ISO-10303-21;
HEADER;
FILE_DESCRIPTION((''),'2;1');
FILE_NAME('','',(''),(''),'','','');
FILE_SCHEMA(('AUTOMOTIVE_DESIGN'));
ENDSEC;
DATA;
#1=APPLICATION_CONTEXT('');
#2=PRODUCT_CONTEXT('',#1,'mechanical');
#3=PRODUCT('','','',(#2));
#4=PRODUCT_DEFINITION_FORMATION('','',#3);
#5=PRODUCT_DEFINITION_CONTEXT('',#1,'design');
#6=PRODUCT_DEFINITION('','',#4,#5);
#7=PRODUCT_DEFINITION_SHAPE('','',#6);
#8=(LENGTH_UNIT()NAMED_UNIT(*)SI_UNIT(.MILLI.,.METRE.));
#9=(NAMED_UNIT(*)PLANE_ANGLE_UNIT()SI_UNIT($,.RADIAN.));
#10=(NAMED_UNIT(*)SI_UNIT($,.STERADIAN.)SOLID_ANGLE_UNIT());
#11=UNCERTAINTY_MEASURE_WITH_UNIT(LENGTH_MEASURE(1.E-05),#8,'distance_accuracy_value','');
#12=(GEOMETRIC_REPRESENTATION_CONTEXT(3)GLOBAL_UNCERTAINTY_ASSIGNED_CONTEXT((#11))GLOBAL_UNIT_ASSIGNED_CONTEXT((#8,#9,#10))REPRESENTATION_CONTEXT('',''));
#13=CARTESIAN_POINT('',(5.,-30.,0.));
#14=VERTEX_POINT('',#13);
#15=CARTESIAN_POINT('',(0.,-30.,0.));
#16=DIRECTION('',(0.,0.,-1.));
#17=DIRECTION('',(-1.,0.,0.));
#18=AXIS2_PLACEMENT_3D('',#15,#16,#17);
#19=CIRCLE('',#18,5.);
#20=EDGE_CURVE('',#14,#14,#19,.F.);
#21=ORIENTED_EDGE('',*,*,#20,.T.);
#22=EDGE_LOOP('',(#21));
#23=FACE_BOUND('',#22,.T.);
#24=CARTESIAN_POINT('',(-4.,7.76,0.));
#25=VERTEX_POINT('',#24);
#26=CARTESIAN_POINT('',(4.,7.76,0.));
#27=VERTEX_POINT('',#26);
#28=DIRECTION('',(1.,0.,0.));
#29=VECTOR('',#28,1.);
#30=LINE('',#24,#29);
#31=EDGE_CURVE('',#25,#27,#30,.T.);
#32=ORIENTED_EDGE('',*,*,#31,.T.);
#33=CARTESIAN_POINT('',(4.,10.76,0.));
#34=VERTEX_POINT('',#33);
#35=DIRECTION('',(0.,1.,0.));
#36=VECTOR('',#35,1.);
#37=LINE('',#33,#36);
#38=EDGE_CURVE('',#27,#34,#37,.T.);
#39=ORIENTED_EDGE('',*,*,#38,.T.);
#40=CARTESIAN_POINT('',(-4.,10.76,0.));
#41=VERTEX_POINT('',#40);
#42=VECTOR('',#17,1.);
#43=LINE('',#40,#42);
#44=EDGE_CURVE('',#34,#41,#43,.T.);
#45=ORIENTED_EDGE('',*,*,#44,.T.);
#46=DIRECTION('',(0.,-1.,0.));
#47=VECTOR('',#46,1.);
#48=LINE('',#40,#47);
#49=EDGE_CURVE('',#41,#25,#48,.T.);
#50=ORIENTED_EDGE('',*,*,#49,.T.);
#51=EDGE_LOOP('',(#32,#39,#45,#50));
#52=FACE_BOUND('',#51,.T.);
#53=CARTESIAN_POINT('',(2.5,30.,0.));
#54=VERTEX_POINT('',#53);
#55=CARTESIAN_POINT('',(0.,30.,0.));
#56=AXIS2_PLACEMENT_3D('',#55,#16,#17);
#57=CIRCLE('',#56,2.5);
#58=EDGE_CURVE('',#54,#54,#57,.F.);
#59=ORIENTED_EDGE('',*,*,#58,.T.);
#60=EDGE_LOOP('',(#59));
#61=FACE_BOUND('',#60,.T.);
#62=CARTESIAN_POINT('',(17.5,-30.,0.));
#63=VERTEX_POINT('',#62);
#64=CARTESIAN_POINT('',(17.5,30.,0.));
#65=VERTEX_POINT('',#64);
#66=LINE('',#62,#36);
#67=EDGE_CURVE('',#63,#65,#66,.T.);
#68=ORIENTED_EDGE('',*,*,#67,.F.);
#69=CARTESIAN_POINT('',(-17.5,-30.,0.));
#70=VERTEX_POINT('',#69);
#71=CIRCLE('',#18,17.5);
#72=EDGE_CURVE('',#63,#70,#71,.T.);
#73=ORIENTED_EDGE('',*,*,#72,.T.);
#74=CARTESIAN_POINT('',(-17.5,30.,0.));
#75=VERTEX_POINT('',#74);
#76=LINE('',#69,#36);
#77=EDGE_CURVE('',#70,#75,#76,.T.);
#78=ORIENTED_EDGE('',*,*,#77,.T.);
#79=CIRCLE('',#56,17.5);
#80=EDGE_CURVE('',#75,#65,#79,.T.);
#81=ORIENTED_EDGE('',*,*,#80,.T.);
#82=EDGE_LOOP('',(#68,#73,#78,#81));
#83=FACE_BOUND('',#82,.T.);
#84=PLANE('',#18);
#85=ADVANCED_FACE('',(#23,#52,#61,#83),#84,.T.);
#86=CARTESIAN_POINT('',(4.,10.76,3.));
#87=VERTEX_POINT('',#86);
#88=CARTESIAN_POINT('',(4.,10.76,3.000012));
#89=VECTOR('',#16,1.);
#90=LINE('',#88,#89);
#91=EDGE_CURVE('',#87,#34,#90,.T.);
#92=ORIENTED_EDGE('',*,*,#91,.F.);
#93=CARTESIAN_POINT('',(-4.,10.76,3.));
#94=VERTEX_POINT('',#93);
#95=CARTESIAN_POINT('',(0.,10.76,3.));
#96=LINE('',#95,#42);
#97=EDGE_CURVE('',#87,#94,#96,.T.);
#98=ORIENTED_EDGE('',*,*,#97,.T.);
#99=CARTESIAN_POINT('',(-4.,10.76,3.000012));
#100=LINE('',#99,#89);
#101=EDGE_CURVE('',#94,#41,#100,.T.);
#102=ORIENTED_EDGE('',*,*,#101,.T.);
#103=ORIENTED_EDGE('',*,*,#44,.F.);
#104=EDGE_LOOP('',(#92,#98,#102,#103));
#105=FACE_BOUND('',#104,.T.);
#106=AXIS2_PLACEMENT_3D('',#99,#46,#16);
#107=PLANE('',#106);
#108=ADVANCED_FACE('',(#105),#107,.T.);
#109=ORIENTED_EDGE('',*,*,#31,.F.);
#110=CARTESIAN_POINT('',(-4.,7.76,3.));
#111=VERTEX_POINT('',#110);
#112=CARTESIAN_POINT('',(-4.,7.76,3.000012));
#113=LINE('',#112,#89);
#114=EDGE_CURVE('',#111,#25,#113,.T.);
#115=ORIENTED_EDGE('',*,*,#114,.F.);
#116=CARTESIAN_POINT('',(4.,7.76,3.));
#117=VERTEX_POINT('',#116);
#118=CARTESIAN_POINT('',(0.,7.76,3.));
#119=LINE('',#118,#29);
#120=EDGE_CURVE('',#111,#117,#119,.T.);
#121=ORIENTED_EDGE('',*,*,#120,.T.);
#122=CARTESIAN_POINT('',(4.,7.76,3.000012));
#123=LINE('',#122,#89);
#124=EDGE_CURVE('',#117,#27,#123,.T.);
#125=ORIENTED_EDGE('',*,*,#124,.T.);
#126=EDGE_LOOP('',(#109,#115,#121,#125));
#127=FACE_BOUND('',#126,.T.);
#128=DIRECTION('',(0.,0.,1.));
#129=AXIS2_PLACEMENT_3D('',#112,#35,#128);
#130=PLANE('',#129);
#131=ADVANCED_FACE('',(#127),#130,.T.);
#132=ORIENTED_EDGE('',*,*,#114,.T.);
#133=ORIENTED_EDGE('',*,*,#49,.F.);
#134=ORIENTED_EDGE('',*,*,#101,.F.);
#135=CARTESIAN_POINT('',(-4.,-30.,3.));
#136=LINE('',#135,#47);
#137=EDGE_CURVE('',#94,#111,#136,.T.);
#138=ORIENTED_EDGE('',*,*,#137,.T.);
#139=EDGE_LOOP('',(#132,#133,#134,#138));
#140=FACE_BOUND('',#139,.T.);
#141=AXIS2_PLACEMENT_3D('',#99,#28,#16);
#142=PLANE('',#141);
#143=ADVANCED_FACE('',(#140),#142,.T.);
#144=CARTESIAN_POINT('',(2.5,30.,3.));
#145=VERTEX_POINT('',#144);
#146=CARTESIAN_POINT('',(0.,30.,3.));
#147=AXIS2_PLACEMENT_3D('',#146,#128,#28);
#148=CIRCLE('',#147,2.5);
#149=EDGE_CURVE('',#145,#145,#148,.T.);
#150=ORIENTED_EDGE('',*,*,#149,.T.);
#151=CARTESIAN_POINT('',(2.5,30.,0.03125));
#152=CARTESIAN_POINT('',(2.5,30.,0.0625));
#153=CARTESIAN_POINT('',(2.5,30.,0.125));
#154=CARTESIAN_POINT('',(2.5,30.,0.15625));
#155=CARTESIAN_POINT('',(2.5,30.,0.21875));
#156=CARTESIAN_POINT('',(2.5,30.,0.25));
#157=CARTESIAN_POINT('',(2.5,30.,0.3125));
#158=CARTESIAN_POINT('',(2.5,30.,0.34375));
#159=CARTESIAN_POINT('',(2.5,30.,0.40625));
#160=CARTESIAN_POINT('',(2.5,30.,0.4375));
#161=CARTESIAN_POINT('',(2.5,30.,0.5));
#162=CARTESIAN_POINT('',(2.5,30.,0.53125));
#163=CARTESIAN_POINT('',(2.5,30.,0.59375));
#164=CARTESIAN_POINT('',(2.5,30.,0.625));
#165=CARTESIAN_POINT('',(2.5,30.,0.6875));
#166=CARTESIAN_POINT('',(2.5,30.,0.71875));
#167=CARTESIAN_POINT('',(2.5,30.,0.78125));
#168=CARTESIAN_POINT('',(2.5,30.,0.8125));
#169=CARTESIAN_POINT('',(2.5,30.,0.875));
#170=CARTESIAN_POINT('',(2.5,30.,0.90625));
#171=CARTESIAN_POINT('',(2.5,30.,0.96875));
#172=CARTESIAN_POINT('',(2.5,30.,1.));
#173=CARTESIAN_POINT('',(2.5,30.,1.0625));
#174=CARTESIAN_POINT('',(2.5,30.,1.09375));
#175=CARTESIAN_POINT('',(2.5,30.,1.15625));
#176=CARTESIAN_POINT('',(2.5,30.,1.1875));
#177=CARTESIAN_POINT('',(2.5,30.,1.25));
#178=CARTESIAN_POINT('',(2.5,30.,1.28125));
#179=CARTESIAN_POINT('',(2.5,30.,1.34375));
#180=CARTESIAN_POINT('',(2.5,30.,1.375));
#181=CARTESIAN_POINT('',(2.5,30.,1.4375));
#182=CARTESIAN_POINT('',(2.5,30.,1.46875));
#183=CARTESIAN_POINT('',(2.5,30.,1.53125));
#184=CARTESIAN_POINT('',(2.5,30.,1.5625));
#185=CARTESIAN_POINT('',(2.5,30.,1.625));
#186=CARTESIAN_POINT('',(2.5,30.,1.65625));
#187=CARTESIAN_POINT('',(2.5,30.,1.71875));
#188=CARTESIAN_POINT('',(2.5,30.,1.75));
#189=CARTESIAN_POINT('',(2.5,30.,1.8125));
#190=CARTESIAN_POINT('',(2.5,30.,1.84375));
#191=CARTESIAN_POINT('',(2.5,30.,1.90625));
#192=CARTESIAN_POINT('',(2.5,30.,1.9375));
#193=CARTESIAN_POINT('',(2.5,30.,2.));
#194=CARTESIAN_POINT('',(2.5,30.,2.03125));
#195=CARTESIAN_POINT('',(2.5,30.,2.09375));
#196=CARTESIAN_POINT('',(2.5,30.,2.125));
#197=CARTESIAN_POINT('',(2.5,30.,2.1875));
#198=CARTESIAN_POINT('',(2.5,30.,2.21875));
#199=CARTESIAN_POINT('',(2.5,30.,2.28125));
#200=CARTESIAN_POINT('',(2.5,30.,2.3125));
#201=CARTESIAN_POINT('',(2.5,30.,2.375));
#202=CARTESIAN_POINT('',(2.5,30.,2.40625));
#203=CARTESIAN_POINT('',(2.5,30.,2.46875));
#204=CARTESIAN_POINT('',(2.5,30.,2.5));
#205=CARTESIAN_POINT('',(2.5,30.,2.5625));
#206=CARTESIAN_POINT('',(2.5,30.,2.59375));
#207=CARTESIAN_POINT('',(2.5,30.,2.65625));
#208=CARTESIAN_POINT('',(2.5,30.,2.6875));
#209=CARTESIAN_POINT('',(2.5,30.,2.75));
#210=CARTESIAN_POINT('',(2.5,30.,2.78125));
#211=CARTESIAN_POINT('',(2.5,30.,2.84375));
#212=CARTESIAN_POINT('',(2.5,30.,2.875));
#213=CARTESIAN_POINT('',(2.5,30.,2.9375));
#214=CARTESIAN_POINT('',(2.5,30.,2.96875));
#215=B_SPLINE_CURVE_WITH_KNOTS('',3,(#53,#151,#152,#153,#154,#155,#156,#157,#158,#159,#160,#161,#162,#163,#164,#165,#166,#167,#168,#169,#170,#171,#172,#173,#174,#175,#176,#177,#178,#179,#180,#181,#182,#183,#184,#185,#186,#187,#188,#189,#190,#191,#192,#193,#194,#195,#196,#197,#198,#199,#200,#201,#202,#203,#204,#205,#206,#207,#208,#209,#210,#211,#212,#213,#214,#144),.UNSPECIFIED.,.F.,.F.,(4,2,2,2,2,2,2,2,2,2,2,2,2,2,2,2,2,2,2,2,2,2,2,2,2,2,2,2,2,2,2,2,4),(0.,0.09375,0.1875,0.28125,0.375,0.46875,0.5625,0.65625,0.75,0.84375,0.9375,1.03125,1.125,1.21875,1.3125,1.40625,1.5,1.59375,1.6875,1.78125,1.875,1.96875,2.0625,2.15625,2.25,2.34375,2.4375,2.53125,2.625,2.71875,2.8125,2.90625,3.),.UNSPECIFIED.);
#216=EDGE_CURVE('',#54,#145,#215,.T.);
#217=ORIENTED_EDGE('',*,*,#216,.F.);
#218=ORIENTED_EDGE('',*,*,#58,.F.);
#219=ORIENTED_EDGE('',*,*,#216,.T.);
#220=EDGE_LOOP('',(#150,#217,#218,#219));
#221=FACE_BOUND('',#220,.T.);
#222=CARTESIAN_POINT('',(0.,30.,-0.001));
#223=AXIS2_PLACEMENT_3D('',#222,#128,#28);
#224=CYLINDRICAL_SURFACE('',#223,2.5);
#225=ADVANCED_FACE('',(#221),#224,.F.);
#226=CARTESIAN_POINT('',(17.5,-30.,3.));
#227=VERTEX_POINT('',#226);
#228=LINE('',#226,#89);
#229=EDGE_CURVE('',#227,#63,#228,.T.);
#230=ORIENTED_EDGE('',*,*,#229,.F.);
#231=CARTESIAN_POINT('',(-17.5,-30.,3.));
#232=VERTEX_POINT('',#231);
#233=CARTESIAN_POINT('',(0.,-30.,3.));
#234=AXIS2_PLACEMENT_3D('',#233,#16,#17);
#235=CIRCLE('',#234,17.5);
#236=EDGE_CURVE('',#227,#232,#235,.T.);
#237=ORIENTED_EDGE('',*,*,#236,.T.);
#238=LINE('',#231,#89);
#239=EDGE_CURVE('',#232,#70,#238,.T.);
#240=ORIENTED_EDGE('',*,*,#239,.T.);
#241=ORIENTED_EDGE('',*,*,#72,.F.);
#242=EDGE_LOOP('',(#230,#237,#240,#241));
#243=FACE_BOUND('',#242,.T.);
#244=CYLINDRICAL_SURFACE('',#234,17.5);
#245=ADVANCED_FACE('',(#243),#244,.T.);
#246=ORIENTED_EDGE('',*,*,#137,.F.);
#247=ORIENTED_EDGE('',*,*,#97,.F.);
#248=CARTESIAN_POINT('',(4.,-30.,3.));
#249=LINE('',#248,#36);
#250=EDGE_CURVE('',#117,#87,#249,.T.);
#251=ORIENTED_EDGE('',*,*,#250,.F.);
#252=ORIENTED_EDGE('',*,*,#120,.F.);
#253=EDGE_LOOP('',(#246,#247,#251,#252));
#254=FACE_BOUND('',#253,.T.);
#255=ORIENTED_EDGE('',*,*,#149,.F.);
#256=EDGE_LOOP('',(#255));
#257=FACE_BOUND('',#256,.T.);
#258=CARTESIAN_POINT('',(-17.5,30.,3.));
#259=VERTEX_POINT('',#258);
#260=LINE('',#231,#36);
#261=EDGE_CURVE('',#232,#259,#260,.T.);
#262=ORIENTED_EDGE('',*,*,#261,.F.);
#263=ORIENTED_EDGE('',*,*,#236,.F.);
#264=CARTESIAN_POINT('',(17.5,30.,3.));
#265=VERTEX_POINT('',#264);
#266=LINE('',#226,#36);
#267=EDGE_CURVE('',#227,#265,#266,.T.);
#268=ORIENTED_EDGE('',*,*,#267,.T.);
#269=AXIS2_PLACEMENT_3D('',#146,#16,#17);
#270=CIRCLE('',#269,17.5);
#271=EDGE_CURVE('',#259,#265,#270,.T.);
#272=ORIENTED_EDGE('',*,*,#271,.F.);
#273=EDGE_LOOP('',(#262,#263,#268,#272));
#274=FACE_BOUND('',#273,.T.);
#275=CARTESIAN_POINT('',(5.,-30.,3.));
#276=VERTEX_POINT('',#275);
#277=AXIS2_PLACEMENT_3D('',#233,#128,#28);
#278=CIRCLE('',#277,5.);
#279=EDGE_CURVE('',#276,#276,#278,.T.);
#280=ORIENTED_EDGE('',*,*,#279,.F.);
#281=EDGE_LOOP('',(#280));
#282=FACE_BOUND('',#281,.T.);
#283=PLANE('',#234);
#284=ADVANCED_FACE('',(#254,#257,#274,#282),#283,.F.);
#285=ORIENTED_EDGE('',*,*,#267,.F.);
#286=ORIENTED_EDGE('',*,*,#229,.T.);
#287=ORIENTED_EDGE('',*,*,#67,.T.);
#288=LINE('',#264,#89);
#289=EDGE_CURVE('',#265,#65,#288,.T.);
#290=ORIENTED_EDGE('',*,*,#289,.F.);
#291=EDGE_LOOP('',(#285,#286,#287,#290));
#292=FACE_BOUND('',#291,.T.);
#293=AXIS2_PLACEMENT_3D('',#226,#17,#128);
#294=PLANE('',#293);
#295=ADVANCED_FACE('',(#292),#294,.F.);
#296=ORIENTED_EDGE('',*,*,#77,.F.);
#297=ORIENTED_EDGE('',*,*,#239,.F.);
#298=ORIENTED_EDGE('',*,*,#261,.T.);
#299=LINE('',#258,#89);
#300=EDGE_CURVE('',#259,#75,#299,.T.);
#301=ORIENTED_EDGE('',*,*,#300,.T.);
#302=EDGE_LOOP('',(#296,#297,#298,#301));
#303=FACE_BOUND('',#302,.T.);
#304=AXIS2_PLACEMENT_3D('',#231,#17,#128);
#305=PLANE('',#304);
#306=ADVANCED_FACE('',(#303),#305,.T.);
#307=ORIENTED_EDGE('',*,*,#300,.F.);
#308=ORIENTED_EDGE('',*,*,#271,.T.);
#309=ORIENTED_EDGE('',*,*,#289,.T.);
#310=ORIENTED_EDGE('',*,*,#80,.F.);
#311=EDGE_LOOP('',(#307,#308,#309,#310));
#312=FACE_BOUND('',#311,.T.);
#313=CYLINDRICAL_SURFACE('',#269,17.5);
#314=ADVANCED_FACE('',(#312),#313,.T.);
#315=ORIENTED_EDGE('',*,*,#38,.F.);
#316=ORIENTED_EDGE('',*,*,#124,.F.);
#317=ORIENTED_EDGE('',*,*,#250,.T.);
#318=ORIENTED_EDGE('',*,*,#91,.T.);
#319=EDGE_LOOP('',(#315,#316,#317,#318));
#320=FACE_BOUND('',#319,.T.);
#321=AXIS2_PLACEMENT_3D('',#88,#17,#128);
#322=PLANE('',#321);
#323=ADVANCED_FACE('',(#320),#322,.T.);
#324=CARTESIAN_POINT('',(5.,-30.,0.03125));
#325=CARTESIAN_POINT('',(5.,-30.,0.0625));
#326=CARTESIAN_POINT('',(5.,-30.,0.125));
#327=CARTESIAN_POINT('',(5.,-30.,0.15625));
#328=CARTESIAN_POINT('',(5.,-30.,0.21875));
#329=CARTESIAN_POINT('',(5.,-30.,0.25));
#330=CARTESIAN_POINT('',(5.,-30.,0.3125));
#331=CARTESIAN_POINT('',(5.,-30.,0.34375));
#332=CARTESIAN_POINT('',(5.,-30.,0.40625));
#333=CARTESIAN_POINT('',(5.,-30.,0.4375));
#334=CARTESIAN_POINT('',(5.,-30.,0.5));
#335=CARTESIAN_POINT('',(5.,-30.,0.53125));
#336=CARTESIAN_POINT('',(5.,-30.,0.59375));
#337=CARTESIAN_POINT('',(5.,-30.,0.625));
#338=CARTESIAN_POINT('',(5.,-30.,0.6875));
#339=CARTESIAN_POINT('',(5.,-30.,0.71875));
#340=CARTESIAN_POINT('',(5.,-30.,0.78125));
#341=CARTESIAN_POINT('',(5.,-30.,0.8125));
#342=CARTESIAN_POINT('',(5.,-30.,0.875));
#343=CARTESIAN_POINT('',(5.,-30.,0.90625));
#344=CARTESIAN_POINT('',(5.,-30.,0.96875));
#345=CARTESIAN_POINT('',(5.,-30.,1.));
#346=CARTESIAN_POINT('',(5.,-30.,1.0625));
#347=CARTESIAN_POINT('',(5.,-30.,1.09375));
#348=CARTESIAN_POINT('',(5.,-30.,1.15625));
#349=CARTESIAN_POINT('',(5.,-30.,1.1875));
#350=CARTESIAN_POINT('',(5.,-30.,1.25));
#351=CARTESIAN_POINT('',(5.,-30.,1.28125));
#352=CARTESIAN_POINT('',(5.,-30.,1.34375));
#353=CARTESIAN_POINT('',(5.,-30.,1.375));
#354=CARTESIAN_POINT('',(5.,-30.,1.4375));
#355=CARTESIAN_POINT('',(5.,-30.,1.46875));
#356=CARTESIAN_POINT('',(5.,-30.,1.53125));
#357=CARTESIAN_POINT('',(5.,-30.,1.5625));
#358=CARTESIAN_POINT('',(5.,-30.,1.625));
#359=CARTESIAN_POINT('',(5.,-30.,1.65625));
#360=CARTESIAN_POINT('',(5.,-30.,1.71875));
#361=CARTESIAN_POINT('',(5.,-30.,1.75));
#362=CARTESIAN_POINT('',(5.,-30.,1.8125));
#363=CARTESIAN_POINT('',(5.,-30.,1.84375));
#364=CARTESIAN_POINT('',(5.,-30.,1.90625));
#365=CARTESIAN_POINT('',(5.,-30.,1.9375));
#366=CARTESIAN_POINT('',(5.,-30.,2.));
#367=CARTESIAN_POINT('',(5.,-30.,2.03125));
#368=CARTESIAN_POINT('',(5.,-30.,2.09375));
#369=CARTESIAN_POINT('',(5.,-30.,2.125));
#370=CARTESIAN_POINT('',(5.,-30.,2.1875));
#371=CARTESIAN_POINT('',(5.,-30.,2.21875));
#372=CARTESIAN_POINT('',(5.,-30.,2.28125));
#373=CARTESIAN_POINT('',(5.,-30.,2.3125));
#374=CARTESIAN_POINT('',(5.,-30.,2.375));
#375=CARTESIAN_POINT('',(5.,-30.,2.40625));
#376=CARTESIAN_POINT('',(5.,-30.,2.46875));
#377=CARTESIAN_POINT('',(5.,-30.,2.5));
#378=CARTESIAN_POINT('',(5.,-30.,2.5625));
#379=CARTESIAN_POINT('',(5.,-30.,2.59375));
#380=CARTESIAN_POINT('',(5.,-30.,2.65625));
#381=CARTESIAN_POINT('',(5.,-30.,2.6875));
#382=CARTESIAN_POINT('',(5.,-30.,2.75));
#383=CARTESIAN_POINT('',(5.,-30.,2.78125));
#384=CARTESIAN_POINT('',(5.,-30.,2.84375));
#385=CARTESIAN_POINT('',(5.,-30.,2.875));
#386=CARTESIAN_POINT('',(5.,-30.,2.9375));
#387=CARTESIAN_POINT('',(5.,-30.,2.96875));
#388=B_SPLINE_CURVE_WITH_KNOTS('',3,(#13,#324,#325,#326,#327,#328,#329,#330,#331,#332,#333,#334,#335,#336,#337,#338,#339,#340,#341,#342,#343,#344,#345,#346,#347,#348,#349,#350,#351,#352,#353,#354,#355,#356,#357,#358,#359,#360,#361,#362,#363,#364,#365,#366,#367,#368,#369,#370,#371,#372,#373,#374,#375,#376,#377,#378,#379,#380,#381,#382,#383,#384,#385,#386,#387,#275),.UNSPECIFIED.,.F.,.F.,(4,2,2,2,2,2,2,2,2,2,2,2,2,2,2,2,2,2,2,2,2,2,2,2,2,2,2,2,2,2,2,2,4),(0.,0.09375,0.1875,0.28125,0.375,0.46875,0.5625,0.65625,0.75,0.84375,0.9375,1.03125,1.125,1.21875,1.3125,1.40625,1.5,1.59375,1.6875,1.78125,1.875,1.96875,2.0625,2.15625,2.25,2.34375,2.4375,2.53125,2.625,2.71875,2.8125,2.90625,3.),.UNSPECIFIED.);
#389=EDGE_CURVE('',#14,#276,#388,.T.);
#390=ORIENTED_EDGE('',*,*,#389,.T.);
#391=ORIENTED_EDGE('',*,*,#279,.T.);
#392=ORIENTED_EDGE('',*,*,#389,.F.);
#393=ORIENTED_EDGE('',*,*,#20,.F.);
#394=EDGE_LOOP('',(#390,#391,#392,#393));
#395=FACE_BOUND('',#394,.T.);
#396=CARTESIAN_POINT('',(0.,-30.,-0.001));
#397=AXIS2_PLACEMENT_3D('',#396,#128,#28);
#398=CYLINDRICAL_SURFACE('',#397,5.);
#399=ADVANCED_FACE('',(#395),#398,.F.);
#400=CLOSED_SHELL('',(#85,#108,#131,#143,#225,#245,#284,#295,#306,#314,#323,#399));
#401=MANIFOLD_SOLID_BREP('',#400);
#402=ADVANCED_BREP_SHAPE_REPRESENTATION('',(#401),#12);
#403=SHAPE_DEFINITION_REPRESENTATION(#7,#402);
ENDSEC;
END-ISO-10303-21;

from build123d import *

# Parameters (mm, degrees)
SALIENTE_EXTRUIR1_DEPTH           = 3
CORTAR_EXTRUIR1_REACH             = 52.71
CROQUIS3_R                        = 2.5
CROQUIS3_R_2                      = 5
CORTAR_EXTRUIR2_REACH             = 52.71
CROQUIS4_W                        = 8
CROQUIS4_H                        = 3
CORTAR_EXTRUIR2_DIRECTION_2_DEPTH = 51.709959574


with BuildPart() as part:
    # Croquis1 → Saliente-Extruir1 (new body)
    with BuildSketch(Plane.XY):
        with BuildLine():
            Line((-17.5, -30), (-17.5, 30))
            ThreePointArc((-17.5, 30), (0, 47.5), (17.5, 30))
            Line((17.5, 30), (17.5, -30))
            ThreePointArc((17.5, -30), (0, -47.5), (-17.5, -30))
        make_face()
    extrude(amount=SALIENTE_EXTRUIR1_DEPTH)

    # Croquis3 → Cortar-Extruir1 (cut, up to next)
    with BuildSketch(Plane.XY.offset(3), mode=Mode.PRIVATE) as cortar_extruir1_sk1:
        with Locations((0, 30)):
            Circle(CROQUIS3_R)
    cortar_extruir1_tool1 = extrude(cortar_extruir1_sk1.sketch, amount=-CORTAR_EXTRUIR1_REACH, mode=Mode.PRIVATE) & part.part
    # Croquis3 → Cortar-Extruir1 (cut, up to next)
    with BuildSketch(Plane.XY.offset(3), mode=Mode.PRIVATE) as cortar_extruir1_sk2:
        with Locations((0, -30)):
            Circle(CROQUIS3_R_2)
    cortar_extruir1_tool2 = extrude(cortar_extruir1_sk2.sketch, amount=-CORTAR_EXTRUIR1_REACH, mode=Mode.PRIVATE) & part.part
    add(cortar_extruir1_tool1.solids().sort_by_distance((0, 30, 3))[0], mode=Mode.SUBTRACT)
    add(cortar_extruir1_tool2.solids().sort_by_distance((0, -30, 3))[0], mode=Mode.SUBTRACT)

    # Croquis4 → Cortar-Extruir2 (cut, up to next)
    with BuildSketch(Plane.XY.offset(3), mode=Mode.PRIVATE) as cortar_extruir2_sk1:
        with Locations((0, 9.26)):
            Rectangle(CROQUIS4_W, CROQUIS4_H)
    cortar_extruir2_tool1 = extrude(cortar_extruir2_sk1.sketch, amount=-CORTAR_EXTRUIR2_REACH, mode=Mode.PRIVATE) & part.part
    add(cortar_extruir2_tool1.solids().sort_by_distance((0, 9.26, 3))[0], mode=Mode.SUBTRACT)

    # Croquis4 → Cortar-Extruir2 direction 2 (cut)
    with BuildSketch(Plane.XY.offset(3)):
        with Locations((0, 9.26)):
            Rectangle(CROQUIS4_W, CROQUIS4_H)
    extrude(amount=CORTAR_EXTRUIR2_DIRECTION_2_DEPTH, mode=Mode.SUBTRACT)


solid = part.part
